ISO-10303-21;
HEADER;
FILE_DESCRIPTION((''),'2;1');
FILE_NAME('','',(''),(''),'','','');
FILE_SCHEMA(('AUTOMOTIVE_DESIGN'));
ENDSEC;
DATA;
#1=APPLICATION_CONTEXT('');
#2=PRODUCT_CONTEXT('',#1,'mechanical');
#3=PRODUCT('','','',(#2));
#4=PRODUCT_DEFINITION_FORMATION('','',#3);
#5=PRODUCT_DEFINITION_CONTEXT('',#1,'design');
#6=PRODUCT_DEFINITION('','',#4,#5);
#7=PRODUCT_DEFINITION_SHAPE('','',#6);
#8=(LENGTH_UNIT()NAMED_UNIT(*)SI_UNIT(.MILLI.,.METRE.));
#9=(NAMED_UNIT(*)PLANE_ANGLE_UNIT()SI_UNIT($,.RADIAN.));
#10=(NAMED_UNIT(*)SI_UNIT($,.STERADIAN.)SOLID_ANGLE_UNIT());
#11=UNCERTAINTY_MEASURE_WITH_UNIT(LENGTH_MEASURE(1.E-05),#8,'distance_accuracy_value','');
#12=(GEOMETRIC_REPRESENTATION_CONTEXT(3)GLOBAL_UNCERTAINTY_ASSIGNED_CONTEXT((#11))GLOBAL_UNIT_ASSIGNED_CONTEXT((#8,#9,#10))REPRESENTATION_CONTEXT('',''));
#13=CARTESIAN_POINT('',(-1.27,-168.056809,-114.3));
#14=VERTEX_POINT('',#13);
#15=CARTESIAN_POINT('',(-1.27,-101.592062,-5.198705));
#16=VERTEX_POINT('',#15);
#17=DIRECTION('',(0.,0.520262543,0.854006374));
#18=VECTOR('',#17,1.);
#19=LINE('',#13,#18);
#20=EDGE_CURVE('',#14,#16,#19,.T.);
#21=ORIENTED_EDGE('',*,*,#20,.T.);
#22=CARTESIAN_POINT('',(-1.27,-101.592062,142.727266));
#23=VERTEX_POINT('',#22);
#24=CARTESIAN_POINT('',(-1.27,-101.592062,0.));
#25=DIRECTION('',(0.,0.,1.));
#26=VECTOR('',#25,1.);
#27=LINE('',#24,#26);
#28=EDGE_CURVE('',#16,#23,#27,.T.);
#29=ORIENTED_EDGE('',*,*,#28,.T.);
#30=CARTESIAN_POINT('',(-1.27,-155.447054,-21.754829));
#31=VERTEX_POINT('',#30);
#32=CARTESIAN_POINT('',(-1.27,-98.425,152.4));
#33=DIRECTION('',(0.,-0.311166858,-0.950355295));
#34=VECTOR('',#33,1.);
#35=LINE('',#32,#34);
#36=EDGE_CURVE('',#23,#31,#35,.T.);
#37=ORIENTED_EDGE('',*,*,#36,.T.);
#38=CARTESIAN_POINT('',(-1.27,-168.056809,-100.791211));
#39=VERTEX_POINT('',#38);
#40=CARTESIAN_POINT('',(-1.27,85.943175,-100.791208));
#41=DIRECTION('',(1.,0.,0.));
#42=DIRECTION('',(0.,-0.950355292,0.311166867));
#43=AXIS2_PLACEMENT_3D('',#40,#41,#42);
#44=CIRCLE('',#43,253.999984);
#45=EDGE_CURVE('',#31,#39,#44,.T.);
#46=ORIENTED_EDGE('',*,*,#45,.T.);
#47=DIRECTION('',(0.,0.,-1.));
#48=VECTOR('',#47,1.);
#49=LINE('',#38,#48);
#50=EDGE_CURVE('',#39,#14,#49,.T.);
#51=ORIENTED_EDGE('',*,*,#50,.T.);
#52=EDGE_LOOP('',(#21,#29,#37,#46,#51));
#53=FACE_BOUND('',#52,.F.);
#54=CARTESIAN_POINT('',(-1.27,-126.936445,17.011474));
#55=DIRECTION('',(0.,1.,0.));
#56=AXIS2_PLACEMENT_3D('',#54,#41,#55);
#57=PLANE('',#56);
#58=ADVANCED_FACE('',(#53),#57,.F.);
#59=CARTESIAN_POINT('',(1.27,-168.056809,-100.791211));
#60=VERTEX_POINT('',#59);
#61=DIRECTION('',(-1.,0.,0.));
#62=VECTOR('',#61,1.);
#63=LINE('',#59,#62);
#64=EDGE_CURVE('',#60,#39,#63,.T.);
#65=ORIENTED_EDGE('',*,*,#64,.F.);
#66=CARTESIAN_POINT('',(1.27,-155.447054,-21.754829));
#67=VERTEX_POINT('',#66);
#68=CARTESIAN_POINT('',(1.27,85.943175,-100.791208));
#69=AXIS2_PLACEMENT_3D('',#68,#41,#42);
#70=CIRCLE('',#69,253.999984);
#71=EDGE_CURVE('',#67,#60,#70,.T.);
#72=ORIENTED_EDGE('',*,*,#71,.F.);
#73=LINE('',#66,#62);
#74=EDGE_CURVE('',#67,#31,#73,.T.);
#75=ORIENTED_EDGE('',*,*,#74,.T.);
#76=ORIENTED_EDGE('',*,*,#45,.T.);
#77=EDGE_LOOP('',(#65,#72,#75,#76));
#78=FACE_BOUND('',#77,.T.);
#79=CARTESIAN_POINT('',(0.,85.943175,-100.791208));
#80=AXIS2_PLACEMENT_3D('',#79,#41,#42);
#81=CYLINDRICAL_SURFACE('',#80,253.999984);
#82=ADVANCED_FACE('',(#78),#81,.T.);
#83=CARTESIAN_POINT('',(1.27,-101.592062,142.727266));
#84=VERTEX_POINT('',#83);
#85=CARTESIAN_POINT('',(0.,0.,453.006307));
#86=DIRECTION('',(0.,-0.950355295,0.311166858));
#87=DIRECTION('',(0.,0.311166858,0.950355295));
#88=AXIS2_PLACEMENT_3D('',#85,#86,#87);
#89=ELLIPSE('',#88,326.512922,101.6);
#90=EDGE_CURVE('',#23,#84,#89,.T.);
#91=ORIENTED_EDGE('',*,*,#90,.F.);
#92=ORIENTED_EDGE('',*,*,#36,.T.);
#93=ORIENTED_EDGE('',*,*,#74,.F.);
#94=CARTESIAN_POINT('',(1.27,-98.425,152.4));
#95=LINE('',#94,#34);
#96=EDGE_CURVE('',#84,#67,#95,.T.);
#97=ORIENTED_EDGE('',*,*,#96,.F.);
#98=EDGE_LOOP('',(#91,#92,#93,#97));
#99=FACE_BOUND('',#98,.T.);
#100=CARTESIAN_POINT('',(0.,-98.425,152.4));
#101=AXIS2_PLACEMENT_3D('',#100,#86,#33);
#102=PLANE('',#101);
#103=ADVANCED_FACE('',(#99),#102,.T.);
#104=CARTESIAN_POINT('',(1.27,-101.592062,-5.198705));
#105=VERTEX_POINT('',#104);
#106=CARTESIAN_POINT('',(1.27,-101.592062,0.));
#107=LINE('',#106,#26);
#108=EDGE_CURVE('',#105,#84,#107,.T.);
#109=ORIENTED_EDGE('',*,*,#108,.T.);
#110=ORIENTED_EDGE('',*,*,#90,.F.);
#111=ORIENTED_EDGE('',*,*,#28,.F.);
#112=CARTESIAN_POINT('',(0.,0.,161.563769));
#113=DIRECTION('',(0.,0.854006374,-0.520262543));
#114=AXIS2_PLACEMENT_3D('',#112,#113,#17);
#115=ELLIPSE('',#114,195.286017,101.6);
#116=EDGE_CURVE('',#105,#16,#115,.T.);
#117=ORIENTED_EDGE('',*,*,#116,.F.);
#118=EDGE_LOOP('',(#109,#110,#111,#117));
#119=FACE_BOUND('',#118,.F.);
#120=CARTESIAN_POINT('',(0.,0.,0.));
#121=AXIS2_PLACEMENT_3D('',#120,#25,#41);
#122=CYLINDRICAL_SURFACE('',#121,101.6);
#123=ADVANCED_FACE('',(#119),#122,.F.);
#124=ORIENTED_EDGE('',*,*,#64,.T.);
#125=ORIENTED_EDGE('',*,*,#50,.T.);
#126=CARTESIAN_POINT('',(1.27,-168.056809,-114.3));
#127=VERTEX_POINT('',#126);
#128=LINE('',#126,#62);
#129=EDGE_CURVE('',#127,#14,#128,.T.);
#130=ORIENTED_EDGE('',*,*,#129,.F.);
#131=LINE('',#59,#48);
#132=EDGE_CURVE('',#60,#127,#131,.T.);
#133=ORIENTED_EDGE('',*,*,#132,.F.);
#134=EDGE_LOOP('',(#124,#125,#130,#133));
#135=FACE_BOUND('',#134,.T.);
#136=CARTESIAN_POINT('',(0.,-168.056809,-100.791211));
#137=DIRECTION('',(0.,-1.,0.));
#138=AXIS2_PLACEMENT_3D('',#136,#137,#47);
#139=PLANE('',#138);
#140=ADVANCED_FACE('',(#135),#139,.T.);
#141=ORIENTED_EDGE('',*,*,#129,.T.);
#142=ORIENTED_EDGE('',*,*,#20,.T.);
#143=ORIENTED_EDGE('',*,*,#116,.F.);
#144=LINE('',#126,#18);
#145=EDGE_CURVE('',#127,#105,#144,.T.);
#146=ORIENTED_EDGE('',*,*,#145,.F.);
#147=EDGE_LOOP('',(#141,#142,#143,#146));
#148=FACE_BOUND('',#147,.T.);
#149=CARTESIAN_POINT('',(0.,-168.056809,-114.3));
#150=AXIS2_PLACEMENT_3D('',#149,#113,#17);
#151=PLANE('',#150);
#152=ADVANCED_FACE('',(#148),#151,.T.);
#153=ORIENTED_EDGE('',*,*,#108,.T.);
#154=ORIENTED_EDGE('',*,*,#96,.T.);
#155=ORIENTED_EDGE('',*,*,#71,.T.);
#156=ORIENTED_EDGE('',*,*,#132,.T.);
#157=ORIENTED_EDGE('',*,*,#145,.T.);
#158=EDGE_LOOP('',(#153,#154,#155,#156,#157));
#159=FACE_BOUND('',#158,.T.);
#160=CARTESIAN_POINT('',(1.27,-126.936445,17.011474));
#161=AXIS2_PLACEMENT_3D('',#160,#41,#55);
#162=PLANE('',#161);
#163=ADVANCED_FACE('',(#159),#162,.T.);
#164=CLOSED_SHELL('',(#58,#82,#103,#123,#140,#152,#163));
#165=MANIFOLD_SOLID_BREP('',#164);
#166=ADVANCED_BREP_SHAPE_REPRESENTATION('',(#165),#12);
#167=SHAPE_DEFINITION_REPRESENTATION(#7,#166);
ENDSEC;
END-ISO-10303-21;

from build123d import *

# Parameters (mm, degrees)
F1_DEPTH = 1.27
F2_R     = 101.6
F3_DEPTH = 167.132


with BuildPart() as f1:
    # F0 (on Right) → F1 (new body, symmetric)
    with BuildSketch(Plane.YZ):
        with BuildLine():
            Line((-168.056809, -114.3), (-98.425, 0))
            Line((-98.425, 0), (-98.425, 152.4))
            Line((-98.425, 152.4), (-155.447054, -21.754829))
            ThreePointArc((-155.447054, -21.754829), (-164.884561, -60.773228), (-168.056809, -100.791211))
            Line((-168.056809, -100.791211), (-168.056809, -114.3))
        make_face()
    extrude(amount=F1_DEPTH, both=True)

    # F2 (on Top) → F3 (cut, symmetric)
    with BuildSketch(Plane.XY):
        Circle(F2_R)
    extrude(amount=F3_DEPTH, both=True, mode=Mode.SUBTRACT)


solid = f1.part
